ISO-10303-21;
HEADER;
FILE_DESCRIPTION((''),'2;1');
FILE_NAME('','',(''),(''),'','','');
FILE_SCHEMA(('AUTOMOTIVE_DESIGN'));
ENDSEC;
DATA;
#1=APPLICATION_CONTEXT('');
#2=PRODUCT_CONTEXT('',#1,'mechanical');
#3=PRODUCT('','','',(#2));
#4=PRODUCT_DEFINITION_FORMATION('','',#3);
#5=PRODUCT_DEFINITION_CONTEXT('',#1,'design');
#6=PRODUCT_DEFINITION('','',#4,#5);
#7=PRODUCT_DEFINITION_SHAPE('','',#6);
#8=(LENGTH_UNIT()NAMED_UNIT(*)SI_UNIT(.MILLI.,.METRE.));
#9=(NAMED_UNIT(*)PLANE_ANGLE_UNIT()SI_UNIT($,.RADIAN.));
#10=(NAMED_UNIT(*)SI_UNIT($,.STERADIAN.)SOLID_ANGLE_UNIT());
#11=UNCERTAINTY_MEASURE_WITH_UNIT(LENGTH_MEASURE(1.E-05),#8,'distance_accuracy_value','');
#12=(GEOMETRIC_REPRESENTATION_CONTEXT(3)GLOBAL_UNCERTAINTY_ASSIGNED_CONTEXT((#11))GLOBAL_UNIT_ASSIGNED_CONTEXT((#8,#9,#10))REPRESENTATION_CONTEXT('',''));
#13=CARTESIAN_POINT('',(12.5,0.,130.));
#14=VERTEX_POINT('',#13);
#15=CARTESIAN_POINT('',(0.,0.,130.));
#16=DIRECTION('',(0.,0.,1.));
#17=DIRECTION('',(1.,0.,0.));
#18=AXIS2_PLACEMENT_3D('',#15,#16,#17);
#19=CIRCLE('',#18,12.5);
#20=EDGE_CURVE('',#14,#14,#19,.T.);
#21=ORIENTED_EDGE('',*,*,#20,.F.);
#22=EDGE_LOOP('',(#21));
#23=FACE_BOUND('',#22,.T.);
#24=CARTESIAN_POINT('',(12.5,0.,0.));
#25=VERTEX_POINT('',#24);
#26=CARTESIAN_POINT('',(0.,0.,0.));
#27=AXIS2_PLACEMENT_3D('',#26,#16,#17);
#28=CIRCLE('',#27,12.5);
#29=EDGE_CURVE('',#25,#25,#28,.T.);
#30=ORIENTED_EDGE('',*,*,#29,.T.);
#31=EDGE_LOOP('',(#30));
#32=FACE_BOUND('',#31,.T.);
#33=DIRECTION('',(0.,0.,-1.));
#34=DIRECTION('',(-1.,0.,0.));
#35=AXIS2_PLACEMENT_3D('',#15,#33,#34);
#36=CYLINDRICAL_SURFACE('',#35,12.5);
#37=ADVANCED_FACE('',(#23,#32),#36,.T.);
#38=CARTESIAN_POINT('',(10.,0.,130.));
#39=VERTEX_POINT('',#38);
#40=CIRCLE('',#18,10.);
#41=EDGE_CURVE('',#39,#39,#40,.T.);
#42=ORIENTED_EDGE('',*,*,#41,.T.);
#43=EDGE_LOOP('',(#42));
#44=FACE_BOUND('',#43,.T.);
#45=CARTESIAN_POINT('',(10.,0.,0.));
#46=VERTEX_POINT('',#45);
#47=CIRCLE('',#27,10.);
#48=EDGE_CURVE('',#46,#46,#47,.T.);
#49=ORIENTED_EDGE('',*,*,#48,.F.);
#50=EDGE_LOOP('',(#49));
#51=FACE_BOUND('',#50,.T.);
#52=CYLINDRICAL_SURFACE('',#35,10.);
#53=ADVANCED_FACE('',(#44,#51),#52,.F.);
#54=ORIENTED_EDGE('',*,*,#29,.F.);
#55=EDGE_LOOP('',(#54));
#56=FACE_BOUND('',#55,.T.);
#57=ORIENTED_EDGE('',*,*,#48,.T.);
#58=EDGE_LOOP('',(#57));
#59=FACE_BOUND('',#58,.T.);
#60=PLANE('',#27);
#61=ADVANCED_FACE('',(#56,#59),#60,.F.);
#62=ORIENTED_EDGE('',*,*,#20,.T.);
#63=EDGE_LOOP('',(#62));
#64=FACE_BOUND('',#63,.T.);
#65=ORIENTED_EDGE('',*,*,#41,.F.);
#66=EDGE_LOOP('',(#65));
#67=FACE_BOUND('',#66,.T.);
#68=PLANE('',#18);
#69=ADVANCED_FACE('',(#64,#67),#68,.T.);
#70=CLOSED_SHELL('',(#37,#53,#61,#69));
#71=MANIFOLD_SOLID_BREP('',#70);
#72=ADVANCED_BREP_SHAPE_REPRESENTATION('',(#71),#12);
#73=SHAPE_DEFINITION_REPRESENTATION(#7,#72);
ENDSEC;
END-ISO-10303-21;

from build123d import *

# Parameters (mm, degrees)
CROQUIS1_R              = 12.5
CROQUIS1_R_2            = 10
SALIENTE_EXTRUIR1_DEPTH = 130


with BuildPart() as part:
    # Croquis1 → Saliente-Extruir1 (new body)
    with BuildSketch(Plane.XY):
        Circle(CROQUIS1_R)
        Circle(CROQUIS1_R_2, mode=Mode.SUBTRACT)
    extrude(amount=SALIENTE_EXTRUIR1_DEPTH)


solid = part.part
